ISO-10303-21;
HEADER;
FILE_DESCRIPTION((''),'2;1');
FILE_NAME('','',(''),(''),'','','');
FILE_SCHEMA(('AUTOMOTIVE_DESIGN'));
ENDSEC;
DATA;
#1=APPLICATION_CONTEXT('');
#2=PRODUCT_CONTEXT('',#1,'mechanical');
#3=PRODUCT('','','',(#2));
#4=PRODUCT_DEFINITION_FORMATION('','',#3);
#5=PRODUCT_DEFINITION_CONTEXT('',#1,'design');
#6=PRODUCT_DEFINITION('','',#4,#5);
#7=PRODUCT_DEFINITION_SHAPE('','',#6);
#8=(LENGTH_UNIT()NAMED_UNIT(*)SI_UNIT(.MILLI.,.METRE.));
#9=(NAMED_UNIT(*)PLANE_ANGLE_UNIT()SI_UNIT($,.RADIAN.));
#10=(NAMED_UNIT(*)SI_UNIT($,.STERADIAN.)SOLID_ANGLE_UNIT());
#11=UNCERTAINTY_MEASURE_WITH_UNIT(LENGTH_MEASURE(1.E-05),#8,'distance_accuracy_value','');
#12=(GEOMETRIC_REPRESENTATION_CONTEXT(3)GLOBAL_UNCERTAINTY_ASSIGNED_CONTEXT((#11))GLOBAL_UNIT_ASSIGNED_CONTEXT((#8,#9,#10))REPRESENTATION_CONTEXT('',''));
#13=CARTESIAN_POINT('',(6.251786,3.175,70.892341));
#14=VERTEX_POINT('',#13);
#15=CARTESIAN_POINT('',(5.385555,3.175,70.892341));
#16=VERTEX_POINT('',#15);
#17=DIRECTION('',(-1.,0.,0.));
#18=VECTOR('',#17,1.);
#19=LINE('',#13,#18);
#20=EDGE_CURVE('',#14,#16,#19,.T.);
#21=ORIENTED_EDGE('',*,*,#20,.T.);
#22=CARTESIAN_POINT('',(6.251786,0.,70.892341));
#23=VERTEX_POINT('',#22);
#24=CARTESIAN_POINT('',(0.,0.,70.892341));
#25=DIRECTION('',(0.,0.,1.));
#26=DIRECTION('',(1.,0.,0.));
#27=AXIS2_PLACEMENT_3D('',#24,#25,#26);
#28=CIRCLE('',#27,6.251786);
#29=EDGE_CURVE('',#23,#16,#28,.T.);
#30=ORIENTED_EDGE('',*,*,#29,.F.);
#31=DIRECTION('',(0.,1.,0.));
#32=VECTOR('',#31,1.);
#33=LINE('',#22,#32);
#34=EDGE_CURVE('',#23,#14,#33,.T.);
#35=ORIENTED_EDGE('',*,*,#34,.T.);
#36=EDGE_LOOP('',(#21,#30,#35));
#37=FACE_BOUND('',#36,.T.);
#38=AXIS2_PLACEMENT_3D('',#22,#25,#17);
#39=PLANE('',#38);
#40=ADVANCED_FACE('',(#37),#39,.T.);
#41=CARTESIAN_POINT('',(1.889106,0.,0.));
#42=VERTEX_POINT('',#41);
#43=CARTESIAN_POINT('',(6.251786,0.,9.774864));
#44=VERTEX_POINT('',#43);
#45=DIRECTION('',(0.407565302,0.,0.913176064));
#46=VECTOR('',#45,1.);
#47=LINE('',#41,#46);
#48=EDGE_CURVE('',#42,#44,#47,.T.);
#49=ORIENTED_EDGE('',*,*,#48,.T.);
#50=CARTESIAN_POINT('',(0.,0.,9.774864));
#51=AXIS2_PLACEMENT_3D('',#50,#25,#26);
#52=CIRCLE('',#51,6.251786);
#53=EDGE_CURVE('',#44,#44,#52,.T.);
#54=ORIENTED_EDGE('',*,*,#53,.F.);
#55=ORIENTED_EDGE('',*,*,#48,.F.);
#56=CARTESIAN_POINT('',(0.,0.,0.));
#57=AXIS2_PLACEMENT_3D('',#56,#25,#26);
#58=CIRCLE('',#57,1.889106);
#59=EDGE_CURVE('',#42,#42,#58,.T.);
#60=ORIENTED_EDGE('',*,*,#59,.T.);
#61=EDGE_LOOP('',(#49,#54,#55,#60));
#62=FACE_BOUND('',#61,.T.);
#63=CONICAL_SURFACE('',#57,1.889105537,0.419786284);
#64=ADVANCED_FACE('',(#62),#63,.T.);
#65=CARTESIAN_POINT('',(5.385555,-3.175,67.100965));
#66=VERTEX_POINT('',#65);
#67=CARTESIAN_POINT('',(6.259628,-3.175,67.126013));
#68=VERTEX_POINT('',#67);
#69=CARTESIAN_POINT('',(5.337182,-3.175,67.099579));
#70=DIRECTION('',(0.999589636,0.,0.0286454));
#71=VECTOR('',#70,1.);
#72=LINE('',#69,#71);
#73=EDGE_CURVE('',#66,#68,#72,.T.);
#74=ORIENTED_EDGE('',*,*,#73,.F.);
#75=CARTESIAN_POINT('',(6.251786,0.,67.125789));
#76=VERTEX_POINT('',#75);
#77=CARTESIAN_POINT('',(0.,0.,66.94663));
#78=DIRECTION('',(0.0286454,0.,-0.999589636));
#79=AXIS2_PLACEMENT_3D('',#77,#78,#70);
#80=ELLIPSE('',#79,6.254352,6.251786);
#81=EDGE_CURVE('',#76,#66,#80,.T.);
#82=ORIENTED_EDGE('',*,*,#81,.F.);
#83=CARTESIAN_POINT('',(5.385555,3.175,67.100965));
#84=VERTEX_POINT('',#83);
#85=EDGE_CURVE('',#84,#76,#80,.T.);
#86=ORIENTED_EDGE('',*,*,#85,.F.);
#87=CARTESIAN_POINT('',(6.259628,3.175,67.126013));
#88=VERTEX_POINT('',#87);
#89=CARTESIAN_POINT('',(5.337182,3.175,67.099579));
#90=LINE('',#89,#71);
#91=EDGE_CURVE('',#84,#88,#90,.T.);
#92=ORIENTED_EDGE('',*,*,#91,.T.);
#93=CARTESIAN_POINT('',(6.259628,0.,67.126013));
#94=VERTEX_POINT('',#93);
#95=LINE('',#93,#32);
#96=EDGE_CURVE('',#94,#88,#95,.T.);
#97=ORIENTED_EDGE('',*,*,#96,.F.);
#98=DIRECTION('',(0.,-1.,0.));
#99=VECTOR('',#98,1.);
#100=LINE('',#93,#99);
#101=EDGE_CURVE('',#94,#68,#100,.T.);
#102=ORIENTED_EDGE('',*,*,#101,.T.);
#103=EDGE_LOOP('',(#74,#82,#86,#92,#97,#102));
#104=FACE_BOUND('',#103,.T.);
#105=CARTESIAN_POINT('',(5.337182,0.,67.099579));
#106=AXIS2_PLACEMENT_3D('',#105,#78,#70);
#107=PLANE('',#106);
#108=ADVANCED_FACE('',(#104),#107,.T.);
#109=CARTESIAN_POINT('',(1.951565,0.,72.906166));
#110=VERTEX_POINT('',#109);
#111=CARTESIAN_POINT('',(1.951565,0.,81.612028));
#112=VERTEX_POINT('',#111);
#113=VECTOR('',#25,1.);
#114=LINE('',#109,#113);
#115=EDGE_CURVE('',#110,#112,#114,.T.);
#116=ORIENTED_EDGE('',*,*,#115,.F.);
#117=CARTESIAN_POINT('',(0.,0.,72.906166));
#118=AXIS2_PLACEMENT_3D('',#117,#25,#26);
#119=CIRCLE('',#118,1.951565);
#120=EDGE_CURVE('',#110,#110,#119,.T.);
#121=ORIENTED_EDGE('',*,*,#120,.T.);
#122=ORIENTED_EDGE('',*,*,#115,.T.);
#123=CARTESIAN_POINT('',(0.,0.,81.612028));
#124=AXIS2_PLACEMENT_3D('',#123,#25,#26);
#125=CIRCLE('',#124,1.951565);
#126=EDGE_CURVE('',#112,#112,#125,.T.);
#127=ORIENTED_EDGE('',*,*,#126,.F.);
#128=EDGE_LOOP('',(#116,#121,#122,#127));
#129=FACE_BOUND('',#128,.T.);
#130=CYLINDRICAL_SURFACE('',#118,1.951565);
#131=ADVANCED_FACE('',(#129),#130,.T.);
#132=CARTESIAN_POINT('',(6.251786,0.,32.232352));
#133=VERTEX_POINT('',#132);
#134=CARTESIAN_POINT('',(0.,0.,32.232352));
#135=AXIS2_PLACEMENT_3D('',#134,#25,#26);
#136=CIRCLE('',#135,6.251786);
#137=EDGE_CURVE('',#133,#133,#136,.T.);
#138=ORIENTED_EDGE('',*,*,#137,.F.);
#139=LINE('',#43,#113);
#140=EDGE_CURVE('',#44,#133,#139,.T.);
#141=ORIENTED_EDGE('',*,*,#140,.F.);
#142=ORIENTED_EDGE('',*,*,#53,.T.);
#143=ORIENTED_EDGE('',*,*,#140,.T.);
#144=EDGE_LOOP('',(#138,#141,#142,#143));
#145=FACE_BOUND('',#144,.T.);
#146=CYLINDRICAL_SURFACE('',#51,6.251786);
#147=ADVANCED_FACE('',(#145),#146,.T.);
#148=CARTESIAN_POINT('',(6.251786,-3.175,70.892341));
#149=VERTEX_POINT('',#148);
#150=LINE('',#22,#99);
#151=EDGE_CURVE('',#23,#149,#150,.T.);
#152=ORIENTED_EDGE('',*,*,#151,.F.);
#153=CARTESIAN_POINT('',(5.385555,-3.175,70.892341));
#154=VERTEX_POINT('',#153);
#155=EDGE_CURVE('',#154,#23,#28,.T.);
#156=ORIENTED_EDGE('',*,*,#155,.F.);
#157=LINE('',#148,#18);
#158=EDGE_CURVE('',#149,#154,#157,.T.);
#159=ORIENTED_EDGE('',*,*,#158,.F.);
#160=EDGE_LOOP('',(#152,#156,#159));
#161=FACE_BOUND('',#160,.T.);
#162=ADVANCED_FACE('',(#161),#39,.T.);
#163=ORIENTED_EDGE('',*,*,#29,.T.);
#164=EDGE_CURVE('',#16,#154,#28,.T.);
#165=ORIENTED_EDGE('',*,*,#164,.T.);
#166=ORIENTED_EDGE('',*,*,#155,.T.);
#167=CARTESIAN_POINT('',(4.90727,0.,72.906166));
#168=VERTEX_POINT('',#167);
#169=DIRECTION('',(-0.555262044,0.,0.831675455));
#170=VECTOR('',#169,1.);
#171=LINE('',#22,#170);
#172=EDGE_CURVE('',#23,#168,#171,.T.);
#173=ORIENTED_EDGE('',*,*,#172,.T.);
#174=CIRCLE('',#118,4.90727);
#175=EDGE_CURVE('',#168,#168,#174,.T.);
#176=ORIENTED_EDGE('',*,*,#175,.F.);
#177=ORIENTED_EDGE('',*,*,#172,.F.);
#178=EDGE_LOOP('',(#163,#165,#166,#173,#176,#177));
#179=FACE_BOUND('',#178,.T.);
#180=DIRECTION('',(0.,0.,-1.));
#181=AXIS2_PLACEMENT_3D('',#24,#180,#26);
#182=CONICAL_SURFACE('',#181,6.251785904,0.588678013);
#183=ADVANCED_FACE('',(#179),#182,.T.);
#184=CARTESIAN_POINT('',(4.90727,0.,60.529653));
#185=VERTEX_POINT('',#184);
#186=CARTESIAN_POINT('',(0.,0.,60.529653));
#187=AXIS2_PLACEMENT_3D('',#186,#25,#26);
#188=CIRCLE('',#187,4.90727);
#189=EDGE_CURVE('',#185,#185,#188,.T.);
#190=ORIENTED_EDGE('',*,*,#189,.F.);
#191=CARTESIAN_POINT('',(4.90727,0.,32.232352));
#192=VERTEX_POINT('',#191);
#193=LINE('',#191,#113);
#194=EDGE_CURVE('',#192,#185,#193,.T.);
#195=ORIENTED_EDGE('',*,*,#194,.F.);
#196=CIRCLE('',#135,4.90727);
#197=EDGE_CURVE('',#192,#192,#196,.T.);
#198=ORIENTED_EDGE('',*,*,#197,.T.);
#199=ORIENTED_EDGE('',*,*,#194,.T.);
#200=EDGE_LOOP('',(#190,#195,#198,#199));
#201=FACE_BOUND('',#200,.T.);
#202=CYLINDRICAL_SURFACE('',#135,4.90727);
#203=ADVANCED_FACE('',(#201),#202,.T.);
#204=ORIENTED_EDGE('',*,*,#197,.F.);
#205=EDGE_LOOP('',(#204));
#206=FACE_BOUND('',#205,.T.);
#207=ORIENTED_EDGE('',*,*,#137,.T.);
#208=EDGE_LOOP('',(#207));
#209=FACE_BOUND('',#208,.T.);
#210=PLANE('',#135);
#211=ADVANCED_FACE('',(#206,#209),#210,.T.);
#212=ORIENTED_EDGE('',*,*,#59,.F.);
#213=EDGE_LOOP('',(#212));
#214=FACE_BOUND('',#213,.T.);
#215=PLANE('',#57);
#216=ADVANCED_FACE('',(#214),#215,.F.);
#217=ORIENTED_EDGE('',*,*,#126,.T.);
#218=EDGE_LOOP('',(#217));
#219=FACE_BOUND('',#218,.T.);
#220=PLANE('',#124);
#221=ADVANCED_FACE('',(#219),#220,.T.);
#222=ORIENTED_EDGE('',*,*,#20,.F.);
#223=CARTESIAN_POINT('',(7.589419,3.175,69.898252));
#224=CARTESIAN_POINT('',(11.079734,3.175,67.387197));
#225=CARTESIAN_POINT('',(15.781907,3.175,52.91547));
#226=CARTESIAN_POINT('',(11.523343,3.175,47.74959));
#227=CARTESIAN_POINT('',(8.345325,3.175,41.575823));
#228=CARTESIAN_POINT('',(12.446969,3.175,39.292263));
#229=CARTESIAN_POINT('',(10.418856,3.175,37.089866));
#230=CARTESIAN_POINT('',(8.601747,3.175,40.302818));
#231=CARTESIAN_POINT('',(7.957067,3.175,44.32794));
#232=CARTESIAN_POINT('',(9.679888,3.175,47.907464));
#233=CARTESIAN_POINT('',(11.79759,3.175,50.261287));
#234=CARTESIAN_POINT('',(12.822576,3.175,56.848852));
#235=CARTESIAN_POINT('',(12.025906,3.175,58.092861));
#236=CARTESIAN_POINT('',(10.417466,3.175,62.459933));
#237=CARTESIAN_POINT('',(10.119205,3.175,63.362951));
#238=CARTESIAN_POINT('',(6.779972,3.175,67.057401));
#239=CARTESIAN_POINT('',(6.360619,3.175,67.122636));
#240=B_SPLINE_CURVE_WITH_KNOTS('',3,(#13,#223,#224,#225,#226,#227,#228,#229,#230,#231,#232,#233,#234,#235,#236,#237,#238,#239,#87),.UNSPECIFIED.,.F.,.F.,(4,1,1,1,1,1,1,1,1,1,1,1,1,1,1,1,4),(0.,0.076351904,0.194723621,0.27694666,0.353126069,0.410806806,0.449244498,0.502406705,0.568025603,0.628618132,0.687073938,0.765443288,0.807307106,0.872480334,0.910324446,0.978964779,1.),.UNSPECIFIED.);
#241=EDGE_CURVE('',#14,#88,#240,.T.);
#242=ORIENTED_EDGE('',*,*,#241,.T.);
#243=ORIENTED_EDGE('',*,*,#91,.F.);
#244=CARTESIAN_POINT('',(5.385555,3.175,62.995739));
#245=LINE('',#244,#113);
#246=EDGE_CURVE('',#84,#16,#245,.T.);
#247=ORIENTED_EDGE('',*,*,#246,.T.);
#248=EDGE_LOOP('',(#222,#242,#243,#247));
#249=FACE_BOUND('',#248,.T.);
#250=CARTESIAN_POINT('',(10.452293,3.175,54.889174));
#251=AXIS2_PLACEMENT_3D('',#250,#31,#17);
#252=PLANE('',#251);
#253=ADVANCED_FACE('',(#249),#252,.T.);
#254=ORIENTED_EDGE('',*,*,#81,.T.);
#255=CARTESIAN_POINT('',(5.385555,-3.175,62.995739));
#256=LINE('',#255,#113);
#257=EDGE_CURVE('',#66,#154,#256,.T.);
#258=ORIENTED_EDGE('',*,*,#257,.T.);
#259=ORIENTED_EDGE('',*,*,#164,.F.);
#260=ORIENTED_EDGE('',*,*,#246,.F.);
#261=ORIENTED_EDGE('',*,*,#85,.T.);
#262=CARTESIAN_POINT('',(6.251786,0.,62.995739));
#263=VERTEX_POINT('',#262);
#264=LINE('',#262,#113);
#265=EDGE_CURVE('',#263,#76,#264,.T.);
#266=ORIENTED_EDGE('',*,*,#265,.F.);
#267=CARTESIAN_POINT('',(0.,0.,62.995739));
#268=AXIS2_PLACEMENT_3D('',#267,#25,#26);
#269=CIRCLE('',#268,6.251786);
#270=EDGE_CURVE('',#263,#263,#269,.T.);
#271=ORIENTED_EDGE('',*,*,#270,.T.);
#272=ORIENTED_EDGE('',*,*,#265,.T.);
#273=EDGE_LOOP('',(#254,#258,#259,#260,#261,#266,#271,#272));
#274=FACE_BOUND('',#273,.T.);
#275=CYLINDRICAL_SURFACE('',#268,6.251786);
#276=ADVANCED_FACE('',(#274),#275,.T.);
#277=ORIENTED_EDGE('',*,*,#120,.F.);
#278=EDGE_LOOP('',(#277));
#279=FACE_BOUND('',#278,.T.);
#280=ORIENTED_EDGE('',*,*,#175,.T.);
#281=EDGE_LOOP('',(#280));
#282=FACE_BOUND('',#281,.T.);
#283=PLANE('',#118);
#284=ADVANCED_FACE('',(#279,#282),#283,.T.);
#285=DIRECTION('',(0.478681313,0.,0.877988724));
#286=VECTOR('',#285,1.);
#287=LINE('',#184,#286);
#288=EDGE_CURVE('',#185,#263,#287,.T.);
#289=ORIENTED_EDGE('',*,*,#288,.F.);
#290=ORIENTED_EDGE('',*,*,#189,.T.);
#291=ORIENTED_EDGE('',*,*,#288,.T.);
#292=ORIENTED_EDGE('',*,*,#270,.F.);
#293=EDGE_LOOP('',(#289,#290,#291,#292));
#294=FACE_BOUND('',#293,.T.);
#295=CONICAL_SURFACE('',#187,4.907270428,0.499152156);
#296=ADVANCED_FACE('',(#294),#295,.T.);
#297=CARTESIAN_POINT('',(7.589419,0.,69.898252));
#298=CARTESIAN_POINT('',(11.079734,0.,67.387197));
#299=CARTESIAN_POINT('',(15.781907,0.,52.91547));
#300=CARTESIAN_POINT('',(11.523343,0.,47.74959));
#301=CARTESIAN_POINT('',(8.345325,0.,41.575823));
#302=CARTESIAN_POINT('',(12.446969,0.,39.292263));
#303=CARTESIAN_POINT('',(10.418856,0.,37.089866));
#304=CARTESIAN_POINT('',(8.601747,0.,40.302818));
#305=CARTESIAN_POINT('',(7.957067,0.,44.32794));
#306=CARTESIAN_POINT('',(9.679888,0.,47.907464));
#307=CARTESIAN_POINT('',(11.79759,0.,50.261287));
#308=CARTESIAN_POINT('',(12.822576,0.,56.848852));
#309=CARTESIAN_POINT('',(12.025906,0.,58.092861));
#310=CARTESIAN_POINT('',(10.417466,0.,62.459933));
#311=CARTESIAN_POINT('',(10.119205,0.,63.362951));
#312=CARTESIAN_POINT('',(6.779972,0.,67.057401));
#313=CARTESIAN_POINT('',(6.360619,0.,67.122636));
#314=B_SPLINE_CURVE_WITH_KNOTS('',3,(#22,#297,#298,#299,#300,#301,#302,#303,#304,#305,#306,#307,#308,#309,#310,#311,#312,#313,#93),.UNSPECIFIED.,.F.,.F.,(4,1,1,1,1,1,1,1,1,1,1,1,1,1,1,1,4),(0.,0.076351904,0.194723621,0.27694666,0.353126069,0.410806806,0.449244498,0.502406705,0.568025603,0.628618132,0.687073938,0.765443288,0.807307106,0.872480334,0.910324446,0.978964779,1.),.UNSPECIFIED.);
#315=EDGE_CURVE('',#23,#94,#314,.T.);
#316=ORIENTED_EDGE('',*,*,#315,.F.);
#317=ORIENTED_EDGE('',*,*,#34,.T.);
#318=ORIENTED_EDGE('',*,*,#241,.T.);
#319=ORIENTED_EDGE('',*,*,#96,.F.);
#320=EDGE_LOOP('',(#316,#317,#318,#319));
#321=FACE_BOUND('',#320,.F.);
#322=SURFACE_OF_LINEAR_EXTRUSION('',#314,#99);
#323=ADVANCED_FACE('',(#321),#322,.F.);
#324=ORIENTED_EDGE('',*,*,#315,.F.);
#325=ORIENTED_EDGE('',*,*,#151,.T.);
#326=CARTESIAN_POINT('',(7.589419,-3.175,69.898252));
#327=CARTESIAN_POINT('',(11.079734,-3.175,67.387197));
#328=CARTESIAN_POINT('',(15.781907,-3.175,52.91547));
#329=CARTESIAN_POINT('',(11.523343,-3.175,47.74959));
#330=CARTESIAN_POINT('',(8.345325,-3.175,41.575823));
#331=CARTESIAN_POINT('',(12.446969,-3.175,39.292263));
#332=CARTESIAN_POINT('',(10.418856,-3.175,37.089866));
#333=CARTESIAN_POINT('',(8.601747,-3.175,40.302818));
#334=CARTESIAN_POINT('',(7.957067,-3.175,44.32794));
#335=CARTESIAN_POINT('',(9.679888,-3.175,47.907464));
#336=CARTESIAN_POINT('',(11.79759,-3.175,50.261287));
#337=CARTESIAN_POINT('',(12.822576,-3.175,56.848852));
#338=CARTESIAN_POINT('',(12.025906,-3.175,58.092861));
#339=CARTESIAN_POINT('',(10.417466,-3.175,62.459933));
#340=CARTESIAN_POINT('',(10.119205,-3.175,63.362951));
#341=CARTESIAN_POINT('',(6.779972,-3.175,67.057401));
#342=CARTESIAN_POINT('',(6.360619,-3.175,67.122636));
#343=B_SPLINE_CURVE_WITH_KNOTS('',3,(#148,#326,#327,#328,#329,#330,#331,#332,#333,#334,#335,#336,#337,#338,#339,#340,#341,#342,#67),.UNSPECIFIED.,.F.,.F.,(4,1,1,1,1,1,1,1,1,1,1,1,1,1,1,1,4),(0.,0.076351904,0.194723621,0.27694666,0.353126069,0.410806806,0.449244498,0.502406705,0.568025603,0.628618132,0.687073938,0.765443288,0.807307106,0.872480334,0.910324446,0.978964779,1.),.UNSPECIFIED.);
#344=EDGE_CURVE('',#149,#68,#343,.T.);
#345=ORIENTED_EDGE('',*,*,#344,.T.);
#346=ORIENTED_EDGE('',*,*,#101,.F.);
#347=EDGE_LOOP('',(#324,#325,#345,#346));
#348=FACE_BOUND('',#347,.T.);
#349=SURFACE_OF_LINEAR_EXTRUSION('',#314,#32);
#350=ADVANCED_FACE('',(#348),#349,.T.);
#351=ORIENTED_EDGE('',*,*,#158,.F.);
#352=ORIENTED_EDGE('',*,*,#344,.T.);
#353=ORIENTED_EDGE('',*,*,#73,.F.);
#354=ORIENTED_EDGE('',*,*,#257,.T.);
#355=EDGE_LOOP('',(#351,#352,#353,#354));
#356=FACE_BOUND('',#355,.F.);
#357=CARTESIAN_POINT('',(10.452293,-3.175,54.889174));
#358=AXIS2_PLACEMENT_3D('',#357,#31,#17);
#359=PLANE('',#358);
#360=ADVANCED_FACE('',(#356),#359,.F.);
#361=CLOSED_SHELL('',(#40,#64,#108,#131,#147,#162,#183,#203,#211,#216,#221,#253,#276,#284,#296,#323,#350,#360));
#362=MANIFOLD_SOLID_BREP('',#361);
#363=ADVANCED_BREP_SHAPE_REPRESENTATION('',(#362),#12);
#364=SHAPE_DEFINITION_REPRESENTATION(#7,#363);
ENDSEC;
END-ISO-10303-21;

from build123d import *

# Parameters (mm, degrees)
F3_DEPTH = 3.175


with BuildPart() as f1:
    # F0 (on Front) → F1 (revolve)
    with BuildSketch(Plane.XZ):
        Polygon((0, 81.6120281816), (0, 0), (1.889105537, 0), (6.2517859042, 9.7748637199), (6.2517859042, 32.2323516011), (4.9072704278, 32.2323516011), (4.9072704278, 60.529652983), (6.2517859042, 62.9957392812), (6.2517859042, 70.892341435), (4.9072704278, 72.9061663151), (1.9515648019, 72.9061663151), (1.9515648019, 81.6120281816), align=None)
    revolve(axis=Axis((0, 0, 40.8060140908), (0, 0, 1)))

    # F2 (on Front) → F3 (join, symmetric)
    with BuildSketch(Plane.XZ):
        with BuildLine():
            add(Edge.make_bspline(
                [(6.2517859042, 70.892341435), (7.5894187846, 69.8982519036), (11.0797339429, 67.3871969776), (15.7819068601, 52.9154697383), (11.5233433779, 47.7495902399), (8.3453245517, 41.5758225926), (12.4469685605, 39.2922630427), (10.4188560816, 37.0898658295), (8.6017471876, 40.3028175208), (7.9570665427, 44.3279398149), (9.6798880677, 47.9074641388), (11.7975897199, 50.2612867867), (12.8225761903, 56.848851903), (12.0259059388, 58.0928609988), (10.4174663853, 62.4599334489), (10.119205277, 63.3629514984), (6.779971785, 67.0574011788), (6.3606187766, 67.1226356623), (6.2596276402, 67.1260133386)],
                knots=[0, 0, 0, 0, 0.0763519038, 0.1947236207, 0.2769466598, 0.3531260685, 0.4108068064, 0.4492444983, 0.5024067051, 0.5680256025, 0.6286181325, 0.6870739378, 0.7654432881, 0.8073071064, 0.8724803338, 0.9103244458, 0.9789647793, 1, 1, 1, 1], degree=3))
            Line((6.2517859042, 70.892341435), (5.3371824324, 70.892341435))
            Line((5.3371824324, 70.892341435), (5.3371824324, 67.0995786786))
            Line((5.3371824324, 67.0995786786), (6.2596276402, 67.1260133386))
        make_face()
    extrude(amount=F3_DEPTH, both=True)


solid = f1.part
